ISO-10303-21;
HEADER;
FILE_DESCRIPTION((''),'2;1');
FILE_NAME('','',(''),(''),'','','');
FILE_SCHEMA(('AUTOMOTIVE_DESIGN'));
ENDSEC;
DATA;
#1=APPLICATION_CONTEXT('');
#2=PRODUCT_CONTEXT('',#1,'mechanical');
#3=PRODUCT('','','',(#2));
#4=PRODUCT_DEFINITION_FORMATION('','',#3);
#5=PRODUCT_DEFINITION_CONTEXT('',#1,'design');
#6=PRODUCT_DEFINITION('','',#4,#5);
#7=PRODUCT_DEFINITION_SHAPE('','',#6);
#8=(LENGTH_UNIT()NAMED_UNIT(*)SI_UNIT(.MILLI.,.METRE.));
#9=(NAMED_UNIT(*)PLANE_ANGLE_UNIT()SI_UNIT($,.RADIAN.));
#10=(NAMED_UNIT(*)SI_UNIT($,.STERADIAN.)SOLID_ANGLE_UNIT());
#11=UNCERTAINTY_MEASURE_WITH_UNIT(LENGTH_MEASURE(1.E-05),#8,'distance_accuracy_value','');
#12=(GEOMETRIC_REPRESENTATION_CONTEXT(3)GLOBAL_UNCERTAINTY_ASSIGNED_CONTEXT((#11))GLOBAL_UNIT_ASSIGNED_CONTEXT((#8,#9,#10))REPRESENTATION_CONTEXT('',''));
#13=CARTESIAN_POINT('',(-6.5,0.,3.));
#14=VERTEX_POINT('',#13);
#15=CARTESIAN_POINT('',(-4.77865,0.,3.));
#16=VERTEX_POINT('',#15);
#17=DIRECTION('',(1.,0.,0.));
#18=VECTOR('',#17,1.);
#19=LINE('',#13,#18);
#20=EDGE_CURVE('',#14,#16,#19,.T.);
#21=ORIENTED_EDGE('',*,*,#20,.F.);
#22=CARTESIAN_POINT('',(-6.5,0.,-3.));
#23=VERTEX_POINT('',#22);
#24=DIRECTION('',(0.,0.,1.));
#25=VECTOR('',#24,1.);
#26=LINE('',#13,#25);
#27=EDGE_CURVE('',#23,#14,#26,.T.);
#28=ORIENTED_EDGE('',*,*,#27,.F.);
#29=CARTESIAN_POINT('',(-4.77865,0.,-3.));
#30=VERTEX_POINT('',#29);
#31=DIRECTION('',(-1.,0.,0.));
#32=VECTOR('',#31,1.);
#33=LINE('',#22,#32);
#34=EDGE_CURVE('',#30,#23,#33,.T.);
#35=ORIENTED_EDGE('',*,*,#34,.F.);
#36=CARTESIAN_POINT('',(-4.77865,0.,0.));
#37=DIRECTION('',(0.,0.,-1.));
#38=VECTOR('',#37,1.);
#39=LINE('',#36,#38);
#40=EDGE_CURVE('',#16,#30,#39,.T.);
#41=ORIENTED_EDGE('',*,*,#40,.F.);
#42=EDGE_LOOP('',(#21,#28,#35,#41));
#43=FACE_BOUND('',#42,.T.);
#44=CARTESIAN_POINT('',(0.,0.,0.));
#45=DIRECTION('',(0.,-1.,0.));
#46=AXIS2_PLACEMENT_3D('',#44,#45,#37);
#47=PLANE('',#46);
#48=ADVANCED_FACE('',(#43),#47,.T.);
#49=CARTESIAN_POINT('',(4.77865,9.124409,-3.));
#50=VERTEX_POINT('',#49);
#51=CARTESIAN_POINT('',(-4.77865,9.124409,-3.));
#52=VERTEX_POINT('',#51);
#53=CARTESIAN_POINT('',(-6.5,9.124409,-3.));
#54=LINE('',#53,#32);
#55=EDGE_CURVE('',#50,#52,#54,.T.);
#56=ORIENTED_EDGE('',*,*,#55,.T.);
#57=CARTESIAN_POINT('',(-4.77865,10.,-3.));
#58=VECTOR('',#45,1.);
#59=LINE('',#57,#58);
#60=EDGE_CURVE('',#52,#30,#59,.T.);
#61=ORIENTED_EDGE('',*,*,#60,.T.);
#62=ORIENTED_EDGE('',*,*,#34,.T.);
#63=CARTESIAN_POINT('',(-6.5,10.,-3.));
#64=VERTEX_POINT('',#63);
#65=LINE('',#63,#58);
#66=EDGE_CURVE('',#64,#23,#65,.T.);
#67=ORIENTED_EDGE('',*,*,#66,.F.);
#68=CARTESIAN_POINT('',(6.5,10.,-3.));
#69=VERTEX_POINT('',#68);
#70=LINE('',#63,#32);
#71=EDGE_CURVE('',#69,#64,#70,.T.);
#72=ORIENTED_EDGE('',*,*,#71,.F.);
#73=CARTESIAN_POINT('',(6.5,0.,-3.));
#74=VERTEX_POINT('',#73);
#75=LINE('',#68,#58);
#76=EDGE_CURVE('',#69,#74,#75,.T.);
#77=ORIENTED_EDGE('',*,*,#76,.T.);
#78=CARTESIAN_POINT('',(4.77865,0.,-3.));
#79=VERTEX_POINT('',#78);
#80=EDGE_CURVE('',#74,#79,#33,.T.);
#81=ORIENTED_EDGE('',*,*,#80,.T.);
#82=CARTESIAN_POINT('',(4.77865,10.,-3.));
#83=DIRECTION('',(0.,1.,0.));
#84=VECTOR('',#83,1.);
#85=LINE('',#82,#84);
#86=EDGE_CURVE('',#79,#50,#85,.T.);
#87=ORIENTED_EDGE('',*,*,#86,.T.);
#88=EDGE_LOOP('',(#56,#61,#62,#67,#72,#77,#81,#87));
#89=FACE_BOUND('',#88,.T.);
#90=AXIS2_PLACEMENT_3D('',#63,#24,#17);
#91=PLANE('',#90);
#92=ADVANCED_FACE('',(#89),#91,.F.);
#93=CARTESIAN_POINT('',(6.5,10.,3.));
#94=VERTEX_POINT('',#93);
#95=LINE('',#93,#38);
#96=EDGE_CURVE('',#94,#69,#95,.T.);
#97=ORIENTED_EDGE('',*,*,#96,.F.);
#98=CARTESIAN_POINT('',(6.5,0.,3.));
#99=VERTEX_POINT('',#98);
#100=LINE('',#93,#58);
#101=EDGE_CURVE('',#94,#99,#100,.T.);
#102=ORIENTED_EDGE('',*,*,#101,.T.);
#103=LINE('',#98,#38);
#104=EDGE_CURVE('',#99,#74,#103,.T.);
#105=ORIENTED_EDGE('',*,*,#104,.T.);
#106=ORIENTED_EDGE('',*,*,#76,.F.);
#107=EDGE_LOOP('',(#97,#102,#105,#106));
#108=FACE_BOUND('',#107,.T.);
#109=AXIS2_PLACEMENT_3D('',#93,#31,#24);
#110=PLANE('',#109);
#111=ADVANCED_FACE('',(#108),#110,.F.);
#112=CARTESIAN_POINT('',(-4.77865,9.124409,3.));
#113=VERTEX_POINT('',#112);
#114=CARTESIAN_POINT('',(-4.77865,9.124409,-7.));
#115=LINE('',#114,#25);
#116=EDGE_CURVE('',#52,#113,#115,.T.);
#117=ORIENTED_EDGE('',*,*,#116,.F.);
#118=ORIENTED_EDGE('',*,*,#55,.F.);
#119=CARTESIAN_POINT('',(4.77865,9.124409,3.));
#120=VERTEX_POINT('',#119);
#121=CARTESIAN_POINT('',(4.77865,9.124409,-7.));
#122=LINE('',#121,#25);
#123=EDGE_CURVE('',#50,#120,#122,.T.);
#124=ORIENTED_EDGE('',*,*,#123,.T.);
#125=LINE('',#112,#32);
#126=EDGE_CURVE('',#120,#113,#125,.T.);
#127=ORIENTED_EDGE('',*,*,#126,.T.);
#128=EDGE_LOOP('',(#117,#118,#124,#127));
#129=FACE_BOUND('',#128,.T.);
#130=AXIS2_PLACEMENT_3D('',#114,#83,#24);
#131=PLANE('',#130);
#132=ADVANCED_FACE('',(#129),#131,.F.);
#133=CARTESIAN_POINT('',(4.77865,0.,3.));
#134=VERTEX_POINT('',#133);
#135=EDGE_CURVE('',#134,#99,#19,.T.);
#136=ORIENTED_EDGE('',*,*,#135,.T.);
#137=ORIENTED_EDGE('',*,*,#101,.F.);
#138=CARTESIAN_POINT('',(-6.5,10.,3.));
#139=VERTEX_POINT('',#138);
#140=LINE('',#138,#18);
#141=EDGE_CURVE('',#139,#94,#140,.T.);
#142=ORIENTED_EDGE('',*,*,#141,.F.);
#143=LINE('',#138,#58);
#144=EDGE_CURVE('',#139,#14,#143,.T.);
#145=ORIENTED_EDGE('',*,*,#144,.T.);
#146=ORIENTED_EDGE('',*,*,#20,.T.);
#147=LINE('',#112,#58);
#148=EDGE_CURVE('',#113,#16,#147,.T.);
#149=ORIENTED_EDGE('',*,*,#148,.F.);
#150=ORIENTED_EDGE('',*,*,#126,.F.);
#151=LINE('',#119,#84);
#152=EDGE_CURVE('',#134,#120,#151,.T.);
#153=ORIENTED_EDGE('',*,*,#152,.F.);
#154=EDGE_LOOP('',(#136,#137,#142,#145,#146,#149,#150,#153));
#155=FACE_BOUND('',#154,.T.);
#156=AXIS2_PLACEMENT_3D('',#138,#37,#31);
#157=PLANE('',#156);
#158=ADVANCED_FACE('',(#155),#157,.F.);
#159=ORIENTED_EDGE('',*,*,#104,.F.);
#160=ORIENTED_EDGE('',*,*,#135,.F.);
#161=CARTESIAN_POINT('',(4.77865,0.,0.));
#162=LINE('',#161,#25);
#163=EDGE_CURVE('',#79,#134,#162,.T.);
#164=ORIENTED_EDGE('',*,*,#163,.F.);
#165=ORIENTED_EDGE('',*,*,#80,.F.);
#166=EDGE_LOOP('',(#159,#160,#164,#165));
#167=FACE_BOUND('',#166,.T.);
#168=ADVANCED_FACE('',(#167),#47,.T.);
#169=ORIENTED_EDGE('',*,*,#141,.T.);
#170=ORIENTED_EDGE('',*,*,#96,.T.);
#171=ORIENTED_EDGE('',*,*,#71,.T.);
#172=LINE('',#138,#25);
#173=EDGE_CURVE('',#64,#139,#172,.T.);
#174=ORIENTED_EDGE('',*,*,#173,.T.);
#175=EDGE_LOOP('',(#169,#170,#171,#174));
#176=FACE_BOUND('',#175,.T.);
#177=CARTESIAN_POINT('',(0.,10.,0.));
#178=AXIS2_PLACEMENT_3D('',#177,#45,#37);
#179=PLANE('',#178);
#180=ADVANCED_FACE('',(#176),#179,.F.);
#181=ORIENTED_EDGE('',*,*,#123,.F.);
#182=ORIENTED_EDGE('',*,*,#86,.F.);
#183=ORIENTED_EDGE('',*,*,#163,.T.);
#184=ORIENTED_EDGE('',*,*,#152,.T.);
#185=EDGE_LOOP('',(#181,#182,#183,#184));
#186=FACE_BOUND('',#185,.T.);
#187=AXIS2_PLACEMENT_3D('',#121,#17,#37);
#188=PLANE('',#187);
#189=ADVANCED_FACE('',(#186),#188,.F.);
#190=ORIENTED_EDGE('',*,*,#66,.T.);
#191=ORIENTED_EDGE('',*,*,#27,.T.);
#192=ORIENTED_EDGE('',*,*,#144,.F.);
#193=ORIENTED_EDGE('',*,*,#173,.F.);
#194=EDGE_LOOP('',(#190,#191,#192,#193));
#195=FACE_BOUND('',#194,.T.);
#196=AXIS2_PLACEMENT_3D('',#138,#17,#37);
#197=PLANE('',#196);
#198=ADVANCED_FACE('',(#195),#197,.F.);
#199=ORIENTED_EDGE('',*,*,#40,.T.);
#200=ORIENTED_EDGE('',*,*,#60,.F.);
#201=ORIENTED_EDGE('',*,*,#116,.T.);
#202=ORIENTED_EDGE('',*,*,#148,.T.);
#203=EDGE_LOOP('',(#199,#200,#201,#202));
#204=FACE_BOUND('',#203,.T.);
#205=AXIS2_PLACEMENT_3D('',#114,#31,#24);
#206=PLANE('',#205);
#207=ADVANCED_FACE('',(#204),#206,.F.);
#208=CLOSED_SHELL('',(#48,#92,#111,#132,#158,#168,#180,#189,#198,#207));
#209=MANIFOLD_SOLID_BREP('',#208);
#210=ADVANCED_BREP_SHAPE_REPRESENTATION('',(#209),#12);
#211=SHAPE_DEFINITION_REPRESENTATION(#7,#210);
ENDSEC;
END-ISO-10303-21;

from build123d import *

# Parameters (mm, degrees)
CROQUIS1_W              = 13
CROQUIS1_H              = 6
SALIENTE_EXTRUIR1_DEPTH = 10
CROQUIS2_W              = 9.55730024
CROQUIS2_H              = 9.124408829
CORTAR_EXTRUIR1_DEPTH   = 10


with BuildPart() as part:
    # Croquis1 → Saliente-Extruir1 (new body)
    with BuildSketch(Plane(origin=(0, 0, 0), x_dir=(1, 0, 0), z_dir=(0, 1, 0))):
        Rectangle(CROQUIS1_W, CROQUIS1_H)
    extrude(amount=SALIENTE_EXTRUIR1_DEPTH)

    # Croquis2 → Cortar-Extruir1 (cut)
    with BuildSketch(Plane.XY.offset(3)):
        with Locations((0, 4.562204415)):
            Rectangle(CROQUIS2_W, CROQUIS2_H)
    extrude(amount=-CORTAR_EXTRUIR1_DEPTH, mode=Mode.SUBTRACT)


solid = part.part
